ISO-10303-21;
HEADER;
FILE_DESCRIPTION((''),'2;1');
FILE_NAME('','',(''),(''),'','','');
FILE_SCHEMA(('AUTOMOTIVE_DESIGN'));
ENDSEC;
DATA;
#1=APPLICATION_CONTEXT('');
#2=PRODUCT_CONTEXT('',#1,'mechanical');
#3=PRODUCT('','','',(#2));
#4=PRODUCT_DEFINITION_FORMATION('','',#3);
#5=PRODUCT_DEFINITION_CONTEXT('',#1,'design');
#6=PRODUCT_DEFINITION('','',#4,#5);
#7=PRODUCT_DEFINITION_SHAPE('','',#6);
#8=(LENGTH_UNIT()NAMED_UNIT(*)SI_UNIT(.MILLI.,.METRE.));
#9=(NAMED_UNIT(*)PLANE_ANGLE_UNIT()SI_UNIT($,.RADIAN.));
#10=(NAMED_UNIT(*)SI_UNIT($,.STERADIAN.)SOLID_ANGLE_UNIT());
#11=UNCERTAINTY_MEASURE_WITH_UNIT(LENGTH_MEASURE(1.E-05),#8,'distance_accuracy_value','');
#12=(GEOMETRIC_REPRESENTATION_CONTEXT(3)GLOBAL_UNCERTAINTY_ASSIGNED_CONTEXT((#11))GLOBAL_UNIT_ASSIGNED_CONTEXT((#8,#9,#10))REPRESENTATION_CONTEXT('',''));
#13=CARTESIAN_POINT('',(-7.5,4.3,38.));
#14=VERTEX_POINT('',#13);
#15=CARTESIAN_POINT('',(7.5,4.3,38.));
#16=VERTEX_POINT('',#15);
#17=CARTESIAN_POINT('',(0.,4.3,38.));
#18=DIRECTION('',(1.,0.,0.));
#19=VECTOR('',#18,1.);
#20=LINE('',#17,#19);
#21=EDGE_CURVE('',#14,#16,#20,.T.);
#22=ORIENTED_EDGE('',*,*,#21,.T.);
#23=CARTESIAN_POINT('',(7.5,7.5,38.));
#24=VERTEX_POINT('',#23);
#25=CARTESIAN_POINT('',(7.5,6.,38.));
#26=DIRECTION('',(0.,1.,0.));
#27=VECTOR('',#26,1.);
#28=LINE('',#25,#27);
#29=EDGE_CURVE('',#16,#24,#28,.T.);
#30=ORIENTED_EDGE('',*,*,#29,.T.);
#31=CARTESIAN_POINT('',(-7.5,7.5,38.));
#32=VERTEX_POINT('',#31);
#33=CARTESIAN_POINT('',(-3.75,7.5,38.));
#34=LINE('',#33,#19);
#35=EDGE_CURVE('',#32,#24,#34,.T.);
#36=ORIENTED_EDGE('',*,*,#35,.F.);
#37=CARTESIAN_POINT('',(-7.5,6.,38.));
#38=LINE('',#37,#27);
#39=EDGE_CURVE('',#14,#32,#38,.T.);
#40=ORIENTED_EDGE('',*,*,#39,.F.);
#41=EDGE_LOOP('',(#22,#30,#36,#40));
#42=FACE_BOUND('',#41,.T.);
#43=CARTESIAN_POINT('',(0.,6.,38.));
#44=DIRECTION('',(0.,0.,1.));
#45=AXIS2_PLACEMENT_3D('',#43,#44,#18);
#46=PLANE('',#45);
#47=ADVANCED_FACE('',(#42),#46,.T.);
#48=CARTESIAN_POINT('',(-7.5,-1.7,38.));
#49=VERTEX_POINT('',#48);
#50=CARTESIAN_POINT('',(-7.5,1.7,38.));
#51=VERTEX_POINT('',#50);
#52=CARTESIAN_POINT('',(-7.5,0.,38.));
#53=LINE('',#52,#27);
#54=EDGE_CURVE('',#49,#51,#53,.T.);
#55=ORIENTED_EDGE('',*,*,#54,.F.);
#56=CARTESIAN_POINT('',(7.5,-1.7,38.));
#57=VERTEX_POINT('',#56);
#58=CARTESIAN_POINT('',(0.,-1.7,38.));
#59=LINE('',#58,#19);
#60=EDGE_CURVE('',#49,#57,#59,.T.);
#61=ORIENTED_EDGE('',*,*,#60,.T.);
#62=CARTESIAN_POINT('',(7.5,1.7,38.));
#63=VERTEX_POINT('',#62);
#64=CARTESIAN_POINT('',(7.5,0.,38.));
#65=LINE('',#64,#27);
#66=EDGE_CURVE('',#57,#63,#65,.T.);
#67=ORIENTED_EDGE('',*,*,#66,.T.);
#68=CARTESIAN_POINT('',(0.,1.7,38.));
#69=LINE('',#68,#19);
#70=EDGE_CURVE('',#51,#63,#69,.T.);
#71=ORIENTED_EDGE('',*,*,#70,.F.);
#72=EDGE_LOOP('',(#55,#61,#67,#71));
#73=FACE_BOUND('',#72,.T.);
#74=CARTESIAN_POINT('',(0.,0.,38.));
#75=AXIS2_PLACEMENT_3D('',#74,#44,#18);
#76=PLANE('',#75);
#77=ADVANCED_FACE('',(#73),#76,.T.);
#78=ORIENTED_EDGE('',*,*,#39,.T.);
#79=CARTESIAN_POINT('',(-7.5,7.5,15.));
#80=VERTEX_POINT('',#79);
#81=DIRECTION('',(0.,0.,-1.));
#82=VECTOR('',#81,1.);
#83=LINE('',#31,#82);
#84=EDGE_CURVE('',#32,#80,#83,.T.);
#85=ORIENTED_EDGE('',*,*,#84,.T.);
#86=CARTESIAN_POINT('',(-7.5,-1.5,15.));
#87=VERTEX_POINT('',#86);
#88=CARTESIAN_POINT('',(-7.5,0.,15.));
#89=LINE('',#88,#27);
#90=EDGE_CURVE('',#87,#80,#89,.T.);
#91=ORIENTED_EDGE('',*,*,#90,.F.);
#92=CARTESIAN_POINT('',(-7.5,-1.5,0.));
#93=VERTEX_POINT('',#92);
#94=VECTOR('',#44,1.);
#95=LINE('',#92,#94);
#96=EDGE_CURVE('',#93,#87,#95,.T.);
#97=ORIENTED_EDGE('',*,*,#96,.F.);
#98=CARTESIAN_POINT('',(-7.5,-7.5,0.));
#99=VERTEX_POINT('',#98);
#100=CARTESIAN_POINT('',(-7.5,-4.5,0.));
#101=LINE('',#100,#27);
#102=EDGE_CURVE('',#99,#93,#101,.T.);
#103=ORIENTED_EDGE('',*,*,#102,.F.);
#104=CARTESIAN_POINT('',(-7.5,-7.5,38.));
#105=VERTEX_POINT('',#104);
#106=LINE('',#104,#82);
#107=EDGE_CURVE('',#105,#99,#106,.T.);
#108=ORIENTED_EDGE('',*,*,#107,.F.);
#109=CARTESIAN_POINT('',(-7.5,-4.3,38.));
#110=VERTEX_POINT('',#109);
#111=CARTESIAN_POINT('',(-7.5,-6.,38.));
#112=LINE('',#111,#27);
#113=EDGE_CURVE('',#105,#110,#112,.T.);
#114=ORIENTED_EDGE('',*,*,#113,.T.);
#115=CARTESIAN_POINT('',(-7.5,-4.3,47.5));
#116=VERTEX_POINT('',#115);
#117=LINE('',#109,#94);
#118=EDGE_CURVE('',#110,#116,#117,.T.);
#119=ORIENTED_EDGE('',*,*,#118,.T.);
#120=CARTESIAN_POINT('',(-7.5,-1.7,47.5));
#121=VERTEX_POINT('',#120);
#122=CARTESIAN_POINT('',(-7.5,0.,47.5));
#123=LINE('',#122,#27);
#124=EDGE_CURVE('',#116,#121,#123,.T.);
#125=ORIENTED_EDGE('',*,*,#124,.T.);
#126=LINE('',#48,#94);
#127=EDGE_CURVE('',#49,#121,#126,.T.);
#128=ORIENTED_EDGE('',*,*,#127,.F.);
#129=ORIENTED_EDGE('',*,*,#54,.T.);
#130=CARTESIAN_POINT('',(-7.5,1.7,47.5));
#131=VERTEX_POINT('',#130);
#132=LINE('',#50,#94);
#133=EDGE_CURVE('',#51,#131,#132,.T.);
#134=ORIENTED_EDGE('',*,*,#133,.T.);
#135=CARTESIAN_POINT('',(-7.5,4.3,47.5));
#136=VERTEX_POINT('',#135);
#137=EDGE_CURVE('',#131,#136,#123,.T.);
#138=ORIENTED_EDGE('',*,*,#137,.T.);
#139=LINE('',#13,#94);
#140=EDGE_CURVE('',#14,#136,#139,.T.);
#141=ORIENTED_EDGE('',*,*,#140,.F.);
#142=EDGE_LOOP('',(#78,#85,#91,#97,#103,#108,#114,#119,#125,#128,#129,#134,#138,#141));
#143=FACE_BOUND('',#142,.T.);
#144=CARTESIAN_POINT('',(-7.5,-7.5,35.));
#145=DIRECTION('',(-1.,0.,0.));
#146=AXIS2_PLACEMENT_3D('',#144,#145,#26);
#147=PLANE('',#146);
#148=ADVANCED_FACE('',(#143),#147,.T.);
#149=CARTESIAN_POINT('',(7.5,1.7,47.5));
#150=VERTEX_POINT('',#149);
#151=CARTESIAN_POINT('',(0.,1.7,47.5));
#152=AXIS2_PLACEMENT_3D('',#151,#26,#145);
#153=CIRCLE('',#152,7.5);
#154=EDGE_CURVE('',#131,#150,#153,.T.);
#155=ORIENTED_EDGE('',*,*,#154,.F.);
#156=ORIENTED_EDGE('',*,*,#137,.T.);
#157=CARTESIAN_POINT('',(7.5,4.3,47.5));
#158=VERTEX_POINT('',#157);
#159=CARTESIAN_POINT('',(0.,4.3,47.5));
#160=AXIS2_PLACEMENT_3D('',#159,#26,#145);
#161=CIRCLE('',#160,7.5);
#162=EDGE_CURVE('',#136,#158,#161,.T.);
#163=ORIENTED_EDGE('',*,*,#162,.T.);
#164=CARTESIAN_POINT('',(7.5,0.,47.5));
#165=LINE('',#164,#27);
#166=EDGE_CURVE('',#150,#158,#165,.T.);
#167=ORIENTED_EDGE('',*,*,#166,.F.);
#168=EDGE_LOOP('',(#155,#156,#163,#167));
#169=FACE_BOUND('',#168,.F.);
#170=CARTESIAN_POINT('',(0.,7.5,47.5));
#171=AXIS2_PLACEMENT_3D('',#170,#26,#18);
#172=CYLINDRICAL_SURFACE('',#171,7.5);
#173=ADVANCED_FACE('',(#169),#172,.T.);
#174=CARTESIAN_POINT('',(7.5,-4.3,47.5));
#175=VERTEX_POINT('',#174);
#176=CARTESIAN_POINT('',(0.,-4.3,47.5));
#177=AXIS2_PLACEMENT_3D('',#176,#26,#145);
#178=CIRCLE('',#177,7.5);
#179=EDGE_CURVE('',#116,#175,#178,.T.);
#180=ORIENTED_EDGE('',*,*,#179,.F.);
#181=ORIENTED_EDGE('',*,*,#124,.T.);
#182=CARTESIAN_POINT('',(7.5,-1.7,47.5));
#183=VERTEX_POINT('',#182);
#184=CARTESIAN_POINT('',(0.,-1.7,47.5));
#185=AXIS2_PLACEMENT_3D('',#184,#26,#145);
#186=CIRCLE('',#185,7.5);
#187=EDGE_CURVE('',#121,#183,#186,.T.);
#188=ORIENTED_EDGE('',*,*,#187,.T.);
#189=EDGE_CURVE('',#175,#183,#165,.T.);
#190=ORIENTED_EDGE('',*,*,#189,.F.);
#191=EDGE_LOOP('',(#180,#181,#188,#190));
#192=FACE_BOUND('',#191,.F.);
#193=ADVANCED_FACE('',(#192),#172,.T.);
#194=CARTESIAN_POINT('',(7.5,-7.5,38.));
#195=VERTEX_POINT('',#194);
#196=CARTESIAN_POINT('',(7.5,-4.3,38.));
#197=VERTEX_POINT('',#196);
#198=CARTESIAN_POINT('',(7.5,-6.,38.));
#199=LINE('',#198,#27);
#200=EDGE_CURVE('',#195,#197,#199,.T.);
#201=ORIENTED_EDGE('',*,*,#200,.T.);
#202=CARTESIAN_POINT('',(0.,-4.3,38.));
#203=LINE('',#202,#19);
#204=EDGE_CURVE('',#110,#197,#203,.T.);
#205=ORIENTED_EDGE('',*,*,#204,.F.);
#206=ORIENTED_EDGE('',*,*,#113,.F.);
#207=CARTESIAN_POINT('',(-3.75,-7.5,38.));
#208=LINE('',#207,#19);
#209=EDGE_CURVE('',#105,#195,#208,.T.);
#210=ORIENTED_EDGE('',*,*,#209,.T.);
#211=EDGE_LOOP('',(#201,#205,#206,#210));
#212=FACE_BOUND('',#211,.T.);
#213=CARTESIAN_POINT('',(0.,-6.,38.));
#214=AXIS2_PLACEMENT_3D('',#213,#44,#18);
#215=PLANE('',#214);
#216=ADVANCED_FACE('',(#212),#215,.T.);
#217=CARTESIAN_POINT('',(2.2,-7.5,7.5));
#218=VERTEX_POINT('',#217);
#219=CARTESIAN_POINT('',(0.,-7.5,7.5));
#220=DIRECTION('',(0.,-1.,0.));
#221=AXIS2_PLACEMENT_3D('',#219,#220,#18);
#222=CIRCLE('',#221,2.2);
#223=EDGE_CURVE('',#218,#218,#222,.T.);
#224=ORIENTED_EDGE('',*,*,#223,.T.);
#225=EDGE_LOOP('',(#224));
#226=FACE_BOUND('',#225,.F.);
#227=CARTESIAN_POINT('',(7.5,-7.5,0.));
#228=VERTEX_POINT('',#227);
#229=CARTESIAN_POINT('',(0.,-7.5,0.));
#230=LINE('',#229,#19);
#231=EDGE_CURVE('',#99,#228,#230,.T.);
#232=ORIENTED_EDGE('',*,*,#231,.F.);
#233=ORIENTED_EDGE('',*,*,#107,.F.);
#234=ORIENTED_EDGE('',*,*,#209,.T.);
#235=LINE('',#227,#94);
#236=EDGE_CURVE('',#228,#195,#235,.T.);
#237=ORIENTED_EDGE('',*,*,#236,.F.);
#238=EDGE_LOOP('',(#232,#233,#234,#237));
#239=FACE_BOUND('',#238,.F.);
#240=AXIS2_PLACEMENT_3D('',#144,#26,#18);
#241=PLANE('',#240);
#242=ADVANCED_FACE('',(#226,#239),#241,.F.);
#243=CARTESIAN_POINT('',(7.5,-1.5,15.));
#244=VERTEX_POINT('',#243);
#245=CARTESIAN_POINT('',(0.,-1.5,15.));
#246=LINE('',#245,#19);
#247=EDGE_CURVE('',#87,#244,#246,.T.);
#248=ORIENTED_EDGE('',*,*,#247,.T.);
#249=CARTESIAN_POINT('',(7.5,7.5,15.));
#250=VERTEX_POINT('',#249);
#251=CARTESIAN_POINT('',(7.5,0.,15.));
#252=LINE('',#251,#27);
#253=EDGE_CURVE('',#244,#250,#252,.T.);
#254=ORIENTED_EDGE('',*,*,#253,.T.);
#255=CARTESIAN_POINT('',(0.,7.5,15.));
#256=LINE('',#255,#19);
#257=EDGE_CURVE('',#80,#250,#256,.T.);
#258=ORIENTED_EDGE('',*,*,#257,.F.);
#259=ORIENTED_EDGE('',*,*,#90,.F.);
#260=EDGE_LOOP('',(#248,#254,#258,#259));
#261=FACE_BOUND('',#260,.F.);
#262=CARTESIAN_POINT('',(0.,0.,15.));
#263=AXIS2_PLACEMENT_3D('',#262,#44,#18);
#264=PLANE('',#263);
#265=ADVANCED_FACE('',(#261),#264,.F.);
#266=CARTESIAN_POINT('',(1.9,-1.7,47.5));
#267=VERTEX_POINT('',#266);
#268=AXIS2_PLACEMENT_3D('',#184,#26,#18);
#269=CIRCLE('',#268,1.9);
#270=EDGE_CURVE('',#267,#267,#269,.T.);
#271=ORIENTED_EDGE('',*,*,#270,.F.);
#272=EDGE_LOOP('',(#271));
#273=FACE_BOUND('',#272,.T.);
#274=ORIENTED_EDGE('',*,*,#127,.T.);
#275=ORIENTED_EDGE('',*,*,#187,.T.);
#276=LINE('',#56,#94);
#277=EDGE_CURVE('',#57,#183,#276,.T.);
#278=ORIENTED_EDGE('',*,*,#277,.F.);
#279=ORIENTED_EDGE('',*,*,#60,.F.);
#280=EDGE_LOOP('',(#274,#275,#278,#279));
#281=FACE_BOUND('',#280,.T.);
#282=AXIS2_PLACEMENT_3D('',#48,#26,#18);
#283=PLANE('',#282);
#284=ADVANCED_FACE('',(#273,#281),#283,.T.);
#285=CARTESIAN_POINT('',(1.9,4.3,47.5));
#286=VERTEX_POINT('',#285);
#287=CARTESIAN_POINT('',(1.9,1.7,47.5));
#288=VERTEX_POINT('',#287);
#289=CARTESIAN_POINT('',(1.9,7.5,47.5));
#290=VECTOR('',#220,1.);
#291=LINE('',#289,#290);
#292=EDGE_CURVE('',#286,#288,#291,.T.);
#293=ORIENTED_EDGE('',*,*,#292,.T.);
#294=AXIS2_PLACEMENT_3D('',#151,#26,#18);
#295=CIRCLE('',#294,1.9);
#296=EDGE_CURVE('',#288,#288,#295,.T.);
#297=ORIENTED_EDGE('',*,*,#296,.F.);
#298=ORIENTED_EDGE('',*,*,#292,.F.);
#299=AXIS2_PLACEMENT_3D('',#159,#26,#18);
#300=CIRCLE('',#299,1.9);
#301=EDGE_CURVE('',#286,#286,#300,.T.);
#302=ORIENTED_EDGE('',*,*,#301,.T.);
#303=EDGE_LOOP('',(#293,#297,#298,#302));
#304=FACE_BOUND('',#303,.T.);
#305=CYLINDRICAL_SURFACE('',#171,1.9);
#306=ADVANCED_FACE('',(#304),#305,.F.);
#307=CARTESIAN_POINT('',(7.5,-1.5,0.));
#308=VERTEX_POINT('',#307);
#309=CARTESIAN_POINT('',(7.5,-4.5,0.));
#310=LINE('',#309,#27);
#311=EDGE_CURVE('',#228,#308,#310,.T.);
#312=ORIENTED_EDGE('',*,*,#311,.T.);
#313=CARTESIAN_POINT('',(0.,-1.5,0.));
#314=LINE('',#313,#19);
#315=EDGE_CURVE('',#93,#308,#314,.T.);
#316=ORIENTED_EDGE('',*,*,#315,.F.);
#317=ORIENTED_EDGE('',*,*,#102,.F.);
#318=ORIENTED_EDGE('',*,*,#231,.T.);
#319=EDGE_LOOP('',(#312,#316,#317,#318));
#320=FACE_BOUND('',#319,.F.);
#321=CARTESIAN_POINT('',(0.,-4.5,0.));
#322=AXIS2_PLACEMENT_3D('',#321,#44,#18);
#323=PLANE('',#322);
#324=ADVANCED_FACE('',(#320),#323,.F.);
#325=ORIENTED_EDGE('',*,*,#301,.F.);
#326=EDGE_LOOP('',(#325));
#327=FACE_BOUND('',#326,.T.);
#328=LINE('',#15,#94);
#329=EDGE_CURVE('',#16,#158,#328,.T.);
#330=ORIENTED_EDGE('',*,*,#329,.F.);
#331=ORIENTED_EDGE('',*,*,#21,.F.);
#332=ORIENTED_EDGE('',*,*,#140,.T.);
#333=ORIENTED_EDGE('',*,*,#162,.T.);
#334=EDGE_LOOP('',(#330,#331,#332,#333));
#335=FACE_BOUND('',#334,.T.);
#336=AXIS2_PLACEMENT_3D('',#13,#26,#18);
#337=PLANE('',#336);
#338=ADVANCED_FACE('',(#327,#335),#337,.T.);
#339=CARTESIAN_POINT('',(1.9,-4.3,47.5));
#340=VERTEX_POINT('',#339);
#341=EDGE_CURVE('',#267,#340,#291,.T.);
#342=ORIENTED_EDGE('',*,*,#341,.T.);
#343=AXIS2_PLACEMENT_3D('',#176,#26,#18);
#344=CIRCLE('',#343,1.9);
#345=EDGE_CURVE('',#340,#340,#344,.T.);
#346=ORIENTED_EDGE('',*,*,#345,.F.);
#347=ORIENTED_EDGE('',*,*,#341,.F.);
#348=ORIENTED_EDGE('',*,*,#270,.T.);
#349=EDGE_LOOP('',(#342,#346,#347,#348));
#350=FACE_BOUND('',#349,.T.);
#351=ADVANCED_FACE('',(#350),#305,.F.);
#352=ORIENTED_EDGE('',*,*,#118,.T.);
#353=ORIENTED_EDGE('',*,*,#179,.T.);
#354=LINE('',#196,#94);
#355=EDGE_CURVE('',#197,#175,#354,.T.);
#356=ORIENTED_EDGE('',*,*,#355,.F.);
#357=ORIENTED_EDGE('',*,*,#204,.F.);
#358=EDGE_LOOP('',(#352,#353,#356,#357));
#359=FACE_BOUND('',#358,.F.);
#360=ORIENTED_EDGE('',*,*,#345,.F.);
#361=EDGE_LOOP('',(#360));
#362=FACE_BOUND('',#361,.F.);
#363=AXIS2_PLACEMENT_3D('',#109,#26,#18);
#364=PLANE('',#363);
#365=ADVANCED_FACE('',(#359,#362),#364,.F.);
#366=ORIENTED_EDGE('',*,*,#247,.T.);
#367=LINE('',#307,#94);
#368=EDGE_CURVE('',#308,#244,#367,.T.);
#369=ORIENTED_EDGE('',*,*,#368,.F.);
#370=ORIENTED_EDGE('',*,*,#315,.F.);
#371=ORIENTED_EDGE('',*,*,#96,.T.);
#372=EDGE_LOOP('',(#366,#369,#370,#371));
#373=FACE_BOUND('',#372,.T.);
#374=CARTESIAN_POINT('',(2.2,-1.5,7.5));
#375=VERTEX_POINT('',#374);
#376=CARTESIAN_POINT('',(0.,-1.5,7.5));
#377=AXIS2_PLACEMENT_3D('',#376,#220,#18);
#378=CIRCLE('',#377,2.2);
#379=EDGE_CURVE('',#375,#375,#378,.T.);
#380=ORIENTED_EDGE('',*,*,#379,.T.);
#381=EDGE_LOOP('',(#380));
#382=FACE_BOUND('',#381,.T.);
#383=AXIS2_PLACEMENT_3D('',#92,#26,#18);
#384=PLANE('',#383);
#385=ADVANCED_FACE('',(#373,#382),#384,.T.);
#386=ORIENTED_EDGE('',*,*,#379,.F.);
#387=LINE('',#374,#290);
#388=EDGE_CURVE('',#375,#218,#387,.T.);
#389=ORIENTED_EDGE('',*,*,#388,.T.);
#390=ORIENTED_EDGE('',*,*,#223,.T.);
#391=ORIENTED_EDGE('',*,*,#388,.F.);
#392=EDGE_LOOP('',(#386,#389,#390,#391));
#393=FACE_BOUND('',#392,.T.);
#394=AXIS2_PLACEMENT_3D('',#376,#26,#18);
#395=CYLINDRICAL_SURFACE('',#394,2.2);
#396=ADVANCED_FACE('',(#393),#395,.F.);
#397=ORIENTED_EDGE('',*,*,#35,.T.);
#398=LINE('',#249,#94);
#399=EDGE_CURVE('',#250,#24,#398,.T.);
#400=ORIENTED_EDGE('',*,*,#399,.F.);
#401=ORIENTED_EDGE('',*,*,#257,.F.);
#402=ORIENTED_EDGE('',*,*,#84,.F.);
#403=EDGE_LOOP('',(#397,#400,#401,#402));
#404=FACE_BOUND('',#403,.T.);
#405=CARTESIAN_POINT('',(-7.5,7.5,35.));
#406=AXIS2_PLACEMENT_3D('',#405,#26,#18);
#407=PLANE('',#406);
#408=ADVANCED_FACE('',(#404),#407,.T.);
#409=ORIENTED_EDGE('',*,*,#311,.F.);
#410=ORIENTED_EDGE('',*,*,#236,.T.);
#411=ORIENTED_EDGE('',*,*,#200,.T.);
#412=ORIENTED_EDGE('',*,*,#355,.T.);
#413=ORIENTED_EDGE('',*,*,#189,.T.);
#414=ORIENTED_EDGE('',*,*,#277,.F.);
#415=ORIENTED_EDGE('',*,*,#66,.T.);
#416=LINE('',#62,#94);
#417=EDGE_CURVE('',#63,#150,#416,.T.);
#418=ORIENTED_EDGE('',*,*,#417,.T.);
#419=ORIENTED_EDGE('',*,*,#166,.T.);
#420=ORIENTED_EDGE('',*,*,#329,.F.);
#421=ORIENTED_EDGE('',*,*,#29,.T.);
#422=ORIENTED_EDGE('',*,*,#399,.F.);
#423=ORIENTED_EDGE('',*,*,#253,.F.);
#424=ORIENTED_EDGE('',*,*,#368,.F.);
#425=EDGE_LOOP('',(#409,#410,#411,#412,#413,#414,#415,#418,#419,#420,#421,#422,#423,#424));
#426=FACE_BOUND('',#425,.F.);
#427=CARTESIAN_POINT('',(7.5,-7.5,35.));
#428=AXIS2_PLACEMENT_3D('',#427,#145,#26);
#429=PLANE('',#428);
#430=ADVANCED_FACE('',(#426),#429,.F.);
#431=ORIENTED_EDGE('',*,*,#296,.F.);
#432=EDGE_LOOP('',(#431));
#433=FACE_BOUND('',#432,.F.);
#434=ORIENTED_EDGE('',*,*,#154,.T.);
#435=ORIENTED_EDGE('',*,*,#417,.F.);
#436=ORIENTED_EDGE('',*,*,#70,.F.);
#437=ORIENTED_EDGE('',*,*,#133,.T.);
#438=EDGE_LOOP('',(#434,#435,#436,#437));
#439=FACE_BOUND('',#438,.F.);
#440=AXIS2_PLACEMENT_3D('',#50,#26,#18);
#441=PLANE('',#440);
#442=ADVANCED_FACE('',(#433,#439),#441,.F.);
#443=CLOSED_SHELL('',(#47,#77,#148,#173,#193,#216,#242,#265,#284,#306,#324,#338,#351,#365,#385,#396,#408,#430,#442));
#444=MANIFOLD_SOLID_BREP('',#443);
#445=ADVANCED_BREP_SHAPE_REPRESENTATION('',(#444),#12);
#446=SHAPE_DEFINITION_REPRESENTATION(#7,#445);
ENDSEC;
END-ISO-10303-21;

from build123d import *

# Parameters (mm, degrees)
CYLINDER005_R     = 2.2
CYLINDER005_DEPTH = 6
BOX008_W          = 15
BOX008_H          = 6
BOX008_DEPTH      = 15
CYLINDER004_R     = 1.9
CYLINDER004_DEPTH = 15
BOX005_W          = 15
BOX005_H          = 3.4
BOX005_DEPTH      = 17
ARRAY001_Y_COUNT  = 3
ARRAY001_Y_PITCH  = 6
CYLINDER003_R     = 7.5
CYLINDER003_DEPTH = 15
BOX004_W          = 15
BOX004_H          = 15
BOX004_DEPTH      = 12.5
BOX009_W          = 15
BOX009_H          = 15
BOX009_DEPTH      = 20


with BuildPart() as insert_hole001:
    # Cylinder005 → Cylinder005 (new body)
    with BuildSketch(Plane(origin=(0, -1.5, 7.5), x_dir=(1, 0, 0), z_dir=(0, -1, 0))):
        Circle(CYLINDER005_R)
    extrude(amount=CYLINDER005_DEPTH)


with BuildPart() as one_cube_with_insert_hole_cut:
    # Box008 → Box008 (new body)
    with BuildSketch(Plane(origin=(-7.5, -7.5, 0), x_dir=(1, 0, 0), z_dir=(0, 0, 1))):
        with Locations((7.5, 3)):
            Rectangle(BOX008_W, BOX008_H)
    extrude(amount=BOX008_DEPTH)

    # Cut004: cut insert hole001
    add(insert_hole001.part, mode=Mode.SUBTRACT)


with BuildPart() as side_2_bolt_hole:
    # Cylinder004 → Cylinder004 (new body)
    with BuildSketch(Plane(origin=(0, 7.5, 12.5), x_dir=(1, 0, 0), z_dir=(0, -1, 0))):
        Circle(CYLINDER004_R)
    extrude(amount=CYLINDER004_DEPTH)


with BuildPart() as side_2_extract_fusion:
    # Box005 → Box005 (new body)
    with BuildSketch(Plane(origin=(-7.5, -7.7, 3), x_dir=(1, 0, 0), z_dir=(0, 0, 1))):
        with Locations((7.5, 1.7)):
            Rectangle(BOX005_W, BOX005_H)
    extrude(amount=BOX005_DEPTH)

    # Array001 Y: side 2 extract fusion ×3


with BuildPart() as side_2_extract_fusion_1:
    add(side_2_extract_fusion.part)
    with Locations(*[(0, i * ARRAY001_Y_PITCH, 0) for i in range(1, ARRAY001_Y_COUNT)]):
        add(side_2_extract_fusion.part)

    # Fusion004: union side 2 bolt hole
    add(side_2_bolt_hole.part)


with BuildPart() as outer_cylinder001:
    # Cylinder003 → Cylinder003 (new body)
    with BuildSketch(Plane(origin=(0, 7.5, 12.5), x_dir=(1, 0, 0), z_dir=(0, -1, 0))):
        Circle(CYLINDER003_R)
    extrude(amount=CYLINDER003_DEPTH)


with BuildPart() as side_2_cut_clone001:
    # Box004 → Box004 (new body)
    with BuildSketch(Plane(origin=(-7.5, -7.5, 0), x_dir=(1, 0, 0), z_dir=(0, 0, 1))):
        with Locations((7.5, 7.5)):
            Rectangle(BOX004_W, BOX004_H)
    extrude(amount=BOX004_DEPTH)

    # Fusion003: union outer cylinder001
    add(outer_cylinder001.part)

    # Cut001: cut side 2 extract fusion
    add(side_2_extract_fusion_1.part, mode=Mode.SUBTRACT)


with BuildPart() as side_2_cut_clone001_1:
    # Body004 placement: moved
    add(side_2_cut_clone001.part.moved(Location((0, 0, 35))))


with BuildPart() as side_2_one_fusion00:
    # Box009 → Box009 (new body)
    with BuildSketch(Plane(origin=(-7.5, -7.5, 15), x_dir=(1, 0, 0), z_dir=(0, 0, 1))):
        with Locations((7.5, 7.5)):
            Rectangle(BOX009_W, BOX009_H)
    extrude(amount=BOX009_DEPTH)

    # Fusion006: union one cube with insert hole cut, side 2 cut clone001
    add(one_cube_with_insert_hole_cut.part)
    add(side_2_cut_clone001_1.part)


solid = side_2_one_fusion00.part
